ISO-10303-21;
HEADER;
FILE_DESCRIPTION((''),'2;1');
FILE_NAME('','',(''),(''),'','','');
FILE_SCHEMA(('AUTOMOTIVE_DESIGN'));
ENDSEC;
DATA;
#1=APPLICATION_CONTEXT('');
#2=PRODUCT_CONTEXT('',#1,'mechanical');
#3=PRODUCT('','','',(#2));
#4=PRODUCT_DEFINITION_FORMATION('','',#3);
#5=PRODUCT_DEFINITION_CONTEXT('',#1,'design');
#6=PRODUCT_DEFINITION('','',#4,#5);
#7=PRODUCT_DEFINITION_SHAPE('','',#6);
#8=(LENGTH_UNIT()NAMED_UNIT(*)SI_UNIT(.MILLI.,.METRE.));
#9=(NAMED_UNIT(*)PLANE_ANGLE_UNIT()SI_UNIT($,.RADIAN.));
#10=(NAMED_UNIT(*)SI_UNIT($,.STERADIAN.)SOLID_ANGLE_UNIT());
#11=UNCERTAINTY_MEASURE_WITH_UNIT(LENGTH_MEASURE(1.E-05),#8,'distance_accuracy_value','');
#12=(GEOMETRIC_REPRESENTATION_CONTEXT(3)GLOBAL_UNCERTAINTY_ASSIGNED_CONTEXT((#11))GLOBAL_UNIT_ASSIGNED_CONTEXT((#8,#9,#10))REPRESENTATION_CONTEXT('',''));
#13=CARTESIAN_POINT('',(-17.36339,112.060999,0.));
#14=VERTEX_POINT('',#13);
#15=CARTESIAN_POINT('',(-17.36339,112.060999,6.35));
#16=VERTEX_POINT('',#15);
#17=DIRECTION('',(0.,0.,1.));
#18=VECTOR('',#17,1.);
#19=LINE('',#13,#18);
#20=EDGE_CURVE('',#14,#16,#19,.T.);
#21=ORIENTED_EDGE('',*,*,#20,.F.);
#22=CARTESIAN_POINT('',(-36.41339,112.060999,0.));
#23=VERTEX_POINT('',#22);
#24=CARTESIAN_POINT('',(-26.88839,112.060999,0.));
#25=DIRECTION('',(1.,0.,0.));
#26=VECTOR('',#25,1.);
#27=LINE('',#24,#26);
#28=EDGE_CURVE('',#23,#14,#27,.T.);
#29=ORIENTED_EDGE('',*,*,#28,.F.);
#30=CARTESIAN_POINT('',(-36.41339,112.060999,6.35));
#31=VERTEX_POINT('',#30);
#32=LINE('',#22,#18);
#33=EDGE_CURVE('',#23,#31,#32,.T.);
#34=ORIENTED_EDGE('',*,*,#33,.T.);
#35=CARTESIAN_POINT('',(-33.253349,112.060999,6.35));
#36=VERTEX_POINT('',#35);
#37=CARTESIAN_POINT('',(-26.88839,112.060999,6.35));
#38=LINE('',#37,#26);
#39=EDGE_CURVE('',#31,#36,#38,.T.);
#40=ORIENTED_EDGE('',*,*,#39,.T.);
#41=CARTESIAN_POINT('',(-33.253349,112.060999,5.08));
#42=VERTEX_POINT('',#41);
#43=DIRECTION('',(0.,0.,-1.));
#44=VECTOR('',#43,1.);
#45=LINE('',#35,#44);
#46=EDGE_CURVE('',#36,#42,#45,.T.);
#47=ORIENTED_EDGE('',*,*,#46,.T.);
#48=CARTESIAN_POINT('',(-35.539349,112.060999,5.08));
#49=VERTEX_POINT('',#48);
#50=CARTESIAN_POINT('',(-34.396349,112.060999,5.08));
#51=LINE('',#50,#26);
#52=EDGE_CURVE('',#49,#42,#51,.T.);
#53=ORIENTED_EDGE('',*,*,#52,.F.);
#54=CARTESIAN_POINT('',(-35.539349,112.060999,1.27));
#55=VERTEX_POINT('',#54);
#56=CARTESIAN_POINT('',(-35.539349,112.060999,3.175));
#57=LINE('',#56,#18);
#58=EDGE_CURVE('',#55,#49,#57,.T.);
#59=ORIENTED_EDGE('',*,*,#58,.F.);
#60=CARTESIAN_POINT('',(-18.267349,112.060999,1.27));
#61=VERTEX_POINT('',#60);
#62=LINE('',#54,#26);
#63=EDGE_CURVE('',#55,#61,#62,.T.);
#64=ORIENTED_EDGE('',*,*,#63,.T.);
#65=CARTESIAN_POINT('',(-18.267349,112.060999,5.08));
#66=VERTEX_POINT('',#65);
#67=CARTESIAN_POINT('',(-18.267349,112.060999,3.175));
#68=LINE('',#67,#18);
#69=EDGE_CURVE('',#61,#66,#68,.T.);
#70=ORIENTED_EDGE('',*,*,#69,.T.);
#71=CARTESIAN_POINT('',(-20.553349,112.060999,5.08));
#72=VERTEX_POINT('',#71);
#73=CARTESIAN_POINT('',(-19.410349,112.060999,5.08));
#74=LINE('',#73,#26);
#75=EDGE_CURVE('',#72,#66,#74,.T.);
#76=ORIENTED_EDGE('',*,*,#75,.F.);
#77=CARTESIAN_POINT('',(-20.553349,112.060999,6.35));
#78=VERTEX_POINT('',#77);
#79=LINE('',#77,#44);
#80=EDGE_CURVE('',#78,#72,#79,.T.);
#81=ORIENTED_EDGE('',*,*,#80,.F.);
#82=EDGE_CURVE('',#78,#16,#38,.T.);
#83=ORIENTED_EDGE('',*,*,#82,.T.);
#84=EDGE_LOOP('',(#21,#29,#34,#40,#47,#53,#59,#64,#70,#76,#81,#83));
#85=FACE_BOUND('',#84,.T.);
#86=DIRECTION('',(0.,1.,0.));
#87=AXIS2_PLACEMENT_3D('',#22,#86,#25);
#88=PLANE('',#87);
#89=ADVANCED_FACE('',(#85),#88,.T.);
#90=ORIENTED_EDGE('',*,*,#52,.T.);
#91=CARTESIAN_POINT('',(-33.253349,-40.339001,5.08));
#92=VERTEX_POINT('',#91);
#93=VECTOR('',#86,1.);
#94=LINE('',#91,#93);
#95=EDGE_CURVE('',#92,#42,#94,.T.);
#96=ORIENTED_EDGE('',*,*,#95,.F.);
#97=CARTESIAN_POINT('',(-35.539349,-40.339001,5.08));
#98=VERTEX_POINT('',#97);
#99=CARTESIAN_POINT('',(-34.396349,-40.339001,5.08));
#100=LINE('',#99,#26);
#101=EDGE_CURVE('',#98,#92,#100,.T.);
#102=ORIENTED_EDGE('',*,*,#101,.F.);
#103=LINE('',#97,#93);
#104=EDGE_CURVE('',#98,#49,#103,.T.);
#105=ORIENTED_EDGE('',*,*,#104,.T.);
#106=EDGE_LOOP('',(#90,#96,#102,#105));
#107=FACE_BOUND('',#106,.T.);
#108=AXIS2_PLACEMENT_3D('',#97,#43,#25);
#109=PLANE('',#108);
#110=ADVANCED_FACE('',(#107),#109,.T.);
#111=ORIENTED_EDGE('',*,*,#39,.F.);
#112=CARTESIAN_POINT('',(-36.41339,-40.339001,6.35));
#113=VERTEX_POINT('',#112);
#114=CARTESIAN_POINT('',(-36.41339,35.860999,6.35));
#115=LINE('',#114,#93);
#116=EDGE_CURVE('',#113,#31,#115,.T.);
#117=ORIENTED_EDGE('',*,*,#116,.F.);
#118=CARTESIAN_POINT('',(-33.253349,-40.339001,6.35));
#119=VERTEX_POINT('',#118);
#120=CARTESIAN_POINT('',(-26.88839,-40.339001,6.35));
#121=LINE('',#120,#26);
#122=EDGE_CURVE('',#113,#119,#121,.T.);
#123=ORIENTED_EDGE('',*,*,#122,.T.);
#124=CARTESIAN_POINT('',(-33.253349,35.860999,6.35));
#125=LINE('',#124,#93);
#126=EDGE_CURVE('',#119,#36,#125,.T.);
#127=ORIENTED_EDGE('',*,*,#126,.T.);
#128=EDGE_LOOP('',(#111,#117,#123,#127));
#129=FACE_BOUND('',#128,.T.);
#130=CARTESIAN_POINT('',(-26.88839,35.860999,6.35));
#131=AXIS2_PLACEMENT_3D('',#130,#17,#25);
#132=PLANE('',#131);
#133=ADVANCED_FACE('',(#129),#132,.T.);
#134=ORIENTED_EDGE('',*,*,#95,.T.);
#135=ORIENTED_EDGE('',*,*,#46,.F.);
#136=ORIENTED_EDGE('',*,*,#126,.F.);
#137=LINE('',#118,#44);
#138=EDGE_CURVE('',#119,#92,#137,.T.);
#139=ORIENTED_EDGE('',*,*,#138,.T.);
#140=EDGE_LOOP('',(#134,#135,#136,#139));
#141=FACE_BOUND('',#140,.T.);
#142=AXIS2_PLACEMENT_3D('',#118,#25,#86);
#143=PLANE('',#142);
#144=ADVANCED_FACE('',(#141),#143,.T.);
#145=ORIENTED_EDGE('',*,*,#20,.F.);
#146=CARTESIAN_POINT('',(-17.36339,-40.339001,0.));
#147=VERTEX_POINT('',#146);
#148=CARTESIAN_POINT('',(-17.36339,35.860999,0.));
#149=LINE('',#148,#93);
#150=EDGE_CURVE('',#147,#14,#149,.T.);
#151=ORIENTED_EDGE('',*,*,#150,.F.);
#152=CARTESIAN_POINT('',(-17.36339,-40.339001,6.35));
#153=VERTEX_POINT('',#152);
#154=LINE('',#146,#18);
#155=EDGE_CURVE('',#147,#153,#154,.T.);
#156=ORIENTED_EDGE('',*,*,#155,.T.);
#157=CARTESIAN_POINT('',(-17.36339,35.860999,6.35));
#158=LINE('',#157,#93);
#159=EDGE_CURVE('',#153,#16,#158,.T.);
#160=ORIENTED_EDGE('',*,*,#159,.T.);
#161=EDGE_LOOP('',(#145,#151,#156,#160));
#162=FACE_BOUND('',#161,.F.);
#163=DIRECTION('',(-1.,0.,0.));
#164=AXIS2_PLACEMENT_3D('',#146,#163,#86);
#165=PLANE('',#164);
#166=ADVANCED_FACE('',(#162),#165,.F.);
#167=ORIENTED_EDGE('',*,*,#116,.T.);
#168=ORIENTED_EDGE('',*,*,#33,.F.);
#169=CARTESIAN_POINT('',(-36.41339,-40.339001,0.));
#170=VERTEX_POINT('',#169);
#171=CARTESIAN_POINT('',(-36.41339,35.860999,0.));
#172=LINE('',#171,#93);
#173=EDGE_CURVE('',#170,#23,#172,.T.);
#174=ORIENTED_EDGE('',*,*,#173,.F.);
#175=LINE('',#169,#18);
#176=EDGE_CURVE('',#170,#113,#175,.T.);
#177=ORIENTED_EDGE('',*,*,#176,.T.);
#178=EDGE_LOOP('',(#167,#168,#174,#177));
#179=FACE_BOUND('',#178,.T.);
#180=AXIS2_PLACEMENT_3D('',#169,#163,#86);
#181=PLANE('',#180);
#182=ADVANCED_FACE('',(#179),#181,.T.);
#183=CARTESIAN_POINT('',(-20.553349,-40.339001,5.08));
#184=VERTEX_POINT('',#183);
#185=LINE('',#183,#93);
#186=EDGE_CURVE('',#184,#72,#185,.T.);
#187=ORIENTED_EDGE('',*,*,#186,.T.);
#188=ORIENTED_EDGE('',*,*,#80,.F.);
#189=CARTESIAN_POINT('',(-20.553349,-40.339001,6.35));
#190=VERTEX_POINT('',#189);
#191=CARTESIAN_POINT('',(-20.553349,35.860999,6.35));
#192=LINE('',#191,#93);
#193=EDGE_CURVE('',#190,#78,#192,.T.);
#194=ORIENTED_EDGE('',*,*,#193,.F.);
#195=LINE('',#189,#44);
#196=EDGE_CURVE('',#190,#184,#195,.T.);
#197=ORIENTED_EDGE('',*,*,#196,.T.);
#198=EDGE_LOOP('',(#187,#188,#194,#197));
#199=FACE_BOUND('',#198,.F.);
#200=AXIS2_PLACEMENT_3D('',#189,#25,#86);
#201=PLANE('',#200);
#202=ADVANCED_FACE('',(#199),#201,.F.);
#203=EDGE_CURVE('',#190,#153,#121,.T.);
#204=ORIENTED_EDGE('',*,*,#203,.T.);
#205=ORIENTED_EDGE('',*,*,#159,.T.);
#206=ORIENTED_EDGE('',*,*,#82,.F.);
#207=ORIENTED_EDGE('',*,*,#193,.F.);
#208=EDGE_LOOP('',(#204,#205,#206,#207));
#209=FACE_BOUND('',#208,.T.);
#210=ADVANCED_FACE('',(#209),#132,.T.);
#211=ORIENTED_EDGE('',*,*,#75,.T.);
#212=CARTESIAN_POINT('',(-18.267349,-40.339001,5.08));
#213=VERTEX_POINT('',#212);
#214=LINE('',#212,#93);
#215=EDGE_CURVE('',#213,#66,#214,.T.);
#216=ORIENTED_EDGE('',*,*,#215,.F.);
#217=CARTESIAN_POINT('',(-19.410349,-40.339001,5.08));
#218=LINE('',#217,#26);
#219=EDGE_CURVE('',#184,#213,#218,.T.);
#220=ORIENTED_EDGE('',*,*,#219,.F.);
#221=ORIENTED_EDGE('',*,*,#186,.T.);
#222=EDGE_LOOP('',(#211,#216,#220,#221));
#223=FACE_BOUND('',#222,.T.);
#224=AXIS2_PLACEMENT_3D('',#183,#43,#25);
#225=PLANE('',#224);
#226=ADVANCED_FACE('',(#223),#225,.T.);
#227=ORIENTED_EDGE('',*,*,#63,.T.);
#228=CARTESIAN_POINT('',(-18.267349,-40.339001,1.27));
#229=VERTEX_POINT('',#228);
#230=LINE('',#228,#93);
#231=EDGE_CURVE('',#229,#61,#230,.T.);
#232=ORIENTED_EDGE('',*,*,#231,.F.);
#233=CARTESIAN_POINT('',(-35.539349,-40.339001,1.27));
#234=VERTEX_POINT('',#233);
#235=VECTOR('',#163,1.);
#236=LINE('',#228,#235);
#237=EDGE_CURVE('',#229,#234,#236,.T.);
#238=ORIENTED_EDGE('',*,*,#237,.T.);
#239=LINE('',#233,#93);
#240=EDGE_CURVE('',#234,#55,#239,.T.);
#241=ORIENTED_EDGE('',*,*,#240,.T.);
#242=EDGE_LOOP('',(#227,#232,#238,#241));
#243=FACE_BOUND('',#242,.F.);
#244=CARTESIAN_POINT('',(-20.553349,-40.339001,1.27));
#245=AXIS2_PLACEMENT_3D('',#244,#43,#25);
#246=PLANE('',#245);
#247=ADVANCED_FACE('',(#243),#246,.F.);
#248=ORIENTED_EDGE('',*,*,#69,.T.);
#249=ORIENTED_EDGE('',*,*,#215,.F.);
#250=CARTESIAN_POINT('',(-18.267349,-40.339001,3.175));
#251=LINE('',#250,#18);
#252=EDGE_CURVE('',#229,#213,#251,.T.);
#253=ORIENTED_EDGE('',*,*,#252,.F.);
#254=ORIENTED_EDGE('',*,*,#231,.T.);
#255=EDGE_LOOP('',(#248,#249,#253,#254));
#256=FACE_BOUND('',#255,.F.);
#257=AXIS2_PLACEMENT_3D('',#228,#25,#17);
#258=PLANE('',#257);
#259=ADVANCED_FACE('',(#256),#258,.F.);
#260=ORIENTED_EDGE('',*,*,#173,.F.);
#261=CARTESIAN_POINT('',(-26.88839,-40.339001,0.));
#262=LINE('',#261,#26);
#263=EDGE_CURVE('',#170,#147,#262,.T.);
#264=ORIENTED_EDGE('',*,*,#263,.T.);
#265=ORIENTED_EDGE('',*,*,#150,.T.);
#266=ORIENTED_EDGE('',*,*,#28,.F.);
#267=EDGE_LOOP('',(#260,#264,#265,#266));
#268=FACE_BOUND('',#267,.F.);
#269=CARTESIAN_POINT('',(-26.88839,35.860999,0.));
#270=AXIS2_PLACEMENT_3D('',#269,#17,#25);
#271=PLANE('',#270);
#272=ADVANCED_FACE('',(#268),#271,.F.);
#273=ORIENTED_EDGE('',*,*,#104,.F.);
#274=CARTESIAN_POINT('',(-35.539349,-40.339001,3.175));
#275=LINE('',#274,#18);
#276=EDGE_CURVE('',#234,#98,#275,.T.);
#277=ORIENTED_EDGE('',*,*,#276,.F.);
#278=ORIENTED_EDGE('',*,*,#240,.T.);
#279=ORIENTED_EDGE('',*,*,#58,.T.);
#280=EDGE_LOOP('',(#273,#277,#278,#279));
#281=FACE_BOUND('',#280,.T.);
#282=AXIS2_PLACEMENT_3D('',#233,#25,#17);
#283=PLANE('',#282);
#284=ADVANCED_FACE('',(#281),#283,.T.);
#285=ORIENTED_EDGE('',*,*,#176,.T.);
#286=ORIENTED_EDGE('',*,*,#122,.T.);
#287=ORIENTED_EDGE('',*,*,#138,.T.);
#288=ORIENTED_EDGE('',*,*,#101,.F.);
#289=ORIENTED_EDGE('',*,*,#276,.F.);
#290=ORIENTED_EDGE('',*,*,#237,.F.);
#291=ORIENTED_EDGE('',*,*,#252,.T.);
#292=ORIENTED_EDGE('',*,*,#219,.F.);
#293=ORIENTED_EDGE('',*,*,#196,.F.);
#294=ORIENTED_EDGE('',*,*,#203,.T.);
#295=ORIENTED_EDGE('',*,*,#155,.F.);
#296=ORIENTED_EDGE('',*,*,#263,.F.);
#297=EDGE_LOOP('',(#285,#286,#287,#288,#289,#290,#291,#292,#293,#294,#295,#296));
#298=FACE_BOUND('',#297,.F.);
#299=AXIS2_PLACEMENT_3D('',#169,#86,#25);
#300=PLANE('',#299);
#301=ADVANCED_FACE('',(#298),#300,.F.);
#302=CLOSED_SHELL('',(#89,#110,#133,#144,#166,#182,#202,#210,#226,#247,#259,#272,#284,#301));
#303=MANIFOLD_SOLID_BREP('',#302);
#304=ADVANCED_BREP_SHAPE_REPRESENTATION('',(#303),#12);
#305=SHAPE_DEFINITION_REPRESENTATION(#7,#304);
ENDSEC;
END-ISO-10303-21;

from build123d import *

# Parameters (mm, degrees)
F0_W     = 19.05
F0_H     = 152.4
F1_DEPTH = 6.35
F2_W     = 12.7
F2_H     = 152.4
F3_DEPTH = 5.08
F4_W     = 2.286
F4_H     = 3.81
F5_DEPTH = 152.4


with BuildPart() as f1:
    # F0 (on Top) → F1 (new body)
    with BuildSketch(Plane.XY):
        with Locations((-26.88839, 35.860999)):
            Rectangle(F0_W, F0_H)
    extrude(amount=F1_DEPTH)

    # F2 (on face) → F3 (cut)
    with BuildSketch(Plane.XY.offset(6.35)):
        with Locations((-26.903349, 35.860999)):
            Rectangle(F2_W, F2_H)
    extrude(amount=-F3_DEPTH, mode=Mode.SUBTRACT)

    # F4 (on face) → F5 (cut)
    with BuildSketch(Plane.XZ.offset(40.339001)):
        with Locations((-34.396349, 3.175)):
            Rectangle(F4_W, F4_H)
        with Locations((-19.410349, 3.175)):
            Rectangle(F4_W, F4_H)
    extrude(amount=-F5_DEPTH, mode=Mode.SUBTRACT)


solid = f1.part
